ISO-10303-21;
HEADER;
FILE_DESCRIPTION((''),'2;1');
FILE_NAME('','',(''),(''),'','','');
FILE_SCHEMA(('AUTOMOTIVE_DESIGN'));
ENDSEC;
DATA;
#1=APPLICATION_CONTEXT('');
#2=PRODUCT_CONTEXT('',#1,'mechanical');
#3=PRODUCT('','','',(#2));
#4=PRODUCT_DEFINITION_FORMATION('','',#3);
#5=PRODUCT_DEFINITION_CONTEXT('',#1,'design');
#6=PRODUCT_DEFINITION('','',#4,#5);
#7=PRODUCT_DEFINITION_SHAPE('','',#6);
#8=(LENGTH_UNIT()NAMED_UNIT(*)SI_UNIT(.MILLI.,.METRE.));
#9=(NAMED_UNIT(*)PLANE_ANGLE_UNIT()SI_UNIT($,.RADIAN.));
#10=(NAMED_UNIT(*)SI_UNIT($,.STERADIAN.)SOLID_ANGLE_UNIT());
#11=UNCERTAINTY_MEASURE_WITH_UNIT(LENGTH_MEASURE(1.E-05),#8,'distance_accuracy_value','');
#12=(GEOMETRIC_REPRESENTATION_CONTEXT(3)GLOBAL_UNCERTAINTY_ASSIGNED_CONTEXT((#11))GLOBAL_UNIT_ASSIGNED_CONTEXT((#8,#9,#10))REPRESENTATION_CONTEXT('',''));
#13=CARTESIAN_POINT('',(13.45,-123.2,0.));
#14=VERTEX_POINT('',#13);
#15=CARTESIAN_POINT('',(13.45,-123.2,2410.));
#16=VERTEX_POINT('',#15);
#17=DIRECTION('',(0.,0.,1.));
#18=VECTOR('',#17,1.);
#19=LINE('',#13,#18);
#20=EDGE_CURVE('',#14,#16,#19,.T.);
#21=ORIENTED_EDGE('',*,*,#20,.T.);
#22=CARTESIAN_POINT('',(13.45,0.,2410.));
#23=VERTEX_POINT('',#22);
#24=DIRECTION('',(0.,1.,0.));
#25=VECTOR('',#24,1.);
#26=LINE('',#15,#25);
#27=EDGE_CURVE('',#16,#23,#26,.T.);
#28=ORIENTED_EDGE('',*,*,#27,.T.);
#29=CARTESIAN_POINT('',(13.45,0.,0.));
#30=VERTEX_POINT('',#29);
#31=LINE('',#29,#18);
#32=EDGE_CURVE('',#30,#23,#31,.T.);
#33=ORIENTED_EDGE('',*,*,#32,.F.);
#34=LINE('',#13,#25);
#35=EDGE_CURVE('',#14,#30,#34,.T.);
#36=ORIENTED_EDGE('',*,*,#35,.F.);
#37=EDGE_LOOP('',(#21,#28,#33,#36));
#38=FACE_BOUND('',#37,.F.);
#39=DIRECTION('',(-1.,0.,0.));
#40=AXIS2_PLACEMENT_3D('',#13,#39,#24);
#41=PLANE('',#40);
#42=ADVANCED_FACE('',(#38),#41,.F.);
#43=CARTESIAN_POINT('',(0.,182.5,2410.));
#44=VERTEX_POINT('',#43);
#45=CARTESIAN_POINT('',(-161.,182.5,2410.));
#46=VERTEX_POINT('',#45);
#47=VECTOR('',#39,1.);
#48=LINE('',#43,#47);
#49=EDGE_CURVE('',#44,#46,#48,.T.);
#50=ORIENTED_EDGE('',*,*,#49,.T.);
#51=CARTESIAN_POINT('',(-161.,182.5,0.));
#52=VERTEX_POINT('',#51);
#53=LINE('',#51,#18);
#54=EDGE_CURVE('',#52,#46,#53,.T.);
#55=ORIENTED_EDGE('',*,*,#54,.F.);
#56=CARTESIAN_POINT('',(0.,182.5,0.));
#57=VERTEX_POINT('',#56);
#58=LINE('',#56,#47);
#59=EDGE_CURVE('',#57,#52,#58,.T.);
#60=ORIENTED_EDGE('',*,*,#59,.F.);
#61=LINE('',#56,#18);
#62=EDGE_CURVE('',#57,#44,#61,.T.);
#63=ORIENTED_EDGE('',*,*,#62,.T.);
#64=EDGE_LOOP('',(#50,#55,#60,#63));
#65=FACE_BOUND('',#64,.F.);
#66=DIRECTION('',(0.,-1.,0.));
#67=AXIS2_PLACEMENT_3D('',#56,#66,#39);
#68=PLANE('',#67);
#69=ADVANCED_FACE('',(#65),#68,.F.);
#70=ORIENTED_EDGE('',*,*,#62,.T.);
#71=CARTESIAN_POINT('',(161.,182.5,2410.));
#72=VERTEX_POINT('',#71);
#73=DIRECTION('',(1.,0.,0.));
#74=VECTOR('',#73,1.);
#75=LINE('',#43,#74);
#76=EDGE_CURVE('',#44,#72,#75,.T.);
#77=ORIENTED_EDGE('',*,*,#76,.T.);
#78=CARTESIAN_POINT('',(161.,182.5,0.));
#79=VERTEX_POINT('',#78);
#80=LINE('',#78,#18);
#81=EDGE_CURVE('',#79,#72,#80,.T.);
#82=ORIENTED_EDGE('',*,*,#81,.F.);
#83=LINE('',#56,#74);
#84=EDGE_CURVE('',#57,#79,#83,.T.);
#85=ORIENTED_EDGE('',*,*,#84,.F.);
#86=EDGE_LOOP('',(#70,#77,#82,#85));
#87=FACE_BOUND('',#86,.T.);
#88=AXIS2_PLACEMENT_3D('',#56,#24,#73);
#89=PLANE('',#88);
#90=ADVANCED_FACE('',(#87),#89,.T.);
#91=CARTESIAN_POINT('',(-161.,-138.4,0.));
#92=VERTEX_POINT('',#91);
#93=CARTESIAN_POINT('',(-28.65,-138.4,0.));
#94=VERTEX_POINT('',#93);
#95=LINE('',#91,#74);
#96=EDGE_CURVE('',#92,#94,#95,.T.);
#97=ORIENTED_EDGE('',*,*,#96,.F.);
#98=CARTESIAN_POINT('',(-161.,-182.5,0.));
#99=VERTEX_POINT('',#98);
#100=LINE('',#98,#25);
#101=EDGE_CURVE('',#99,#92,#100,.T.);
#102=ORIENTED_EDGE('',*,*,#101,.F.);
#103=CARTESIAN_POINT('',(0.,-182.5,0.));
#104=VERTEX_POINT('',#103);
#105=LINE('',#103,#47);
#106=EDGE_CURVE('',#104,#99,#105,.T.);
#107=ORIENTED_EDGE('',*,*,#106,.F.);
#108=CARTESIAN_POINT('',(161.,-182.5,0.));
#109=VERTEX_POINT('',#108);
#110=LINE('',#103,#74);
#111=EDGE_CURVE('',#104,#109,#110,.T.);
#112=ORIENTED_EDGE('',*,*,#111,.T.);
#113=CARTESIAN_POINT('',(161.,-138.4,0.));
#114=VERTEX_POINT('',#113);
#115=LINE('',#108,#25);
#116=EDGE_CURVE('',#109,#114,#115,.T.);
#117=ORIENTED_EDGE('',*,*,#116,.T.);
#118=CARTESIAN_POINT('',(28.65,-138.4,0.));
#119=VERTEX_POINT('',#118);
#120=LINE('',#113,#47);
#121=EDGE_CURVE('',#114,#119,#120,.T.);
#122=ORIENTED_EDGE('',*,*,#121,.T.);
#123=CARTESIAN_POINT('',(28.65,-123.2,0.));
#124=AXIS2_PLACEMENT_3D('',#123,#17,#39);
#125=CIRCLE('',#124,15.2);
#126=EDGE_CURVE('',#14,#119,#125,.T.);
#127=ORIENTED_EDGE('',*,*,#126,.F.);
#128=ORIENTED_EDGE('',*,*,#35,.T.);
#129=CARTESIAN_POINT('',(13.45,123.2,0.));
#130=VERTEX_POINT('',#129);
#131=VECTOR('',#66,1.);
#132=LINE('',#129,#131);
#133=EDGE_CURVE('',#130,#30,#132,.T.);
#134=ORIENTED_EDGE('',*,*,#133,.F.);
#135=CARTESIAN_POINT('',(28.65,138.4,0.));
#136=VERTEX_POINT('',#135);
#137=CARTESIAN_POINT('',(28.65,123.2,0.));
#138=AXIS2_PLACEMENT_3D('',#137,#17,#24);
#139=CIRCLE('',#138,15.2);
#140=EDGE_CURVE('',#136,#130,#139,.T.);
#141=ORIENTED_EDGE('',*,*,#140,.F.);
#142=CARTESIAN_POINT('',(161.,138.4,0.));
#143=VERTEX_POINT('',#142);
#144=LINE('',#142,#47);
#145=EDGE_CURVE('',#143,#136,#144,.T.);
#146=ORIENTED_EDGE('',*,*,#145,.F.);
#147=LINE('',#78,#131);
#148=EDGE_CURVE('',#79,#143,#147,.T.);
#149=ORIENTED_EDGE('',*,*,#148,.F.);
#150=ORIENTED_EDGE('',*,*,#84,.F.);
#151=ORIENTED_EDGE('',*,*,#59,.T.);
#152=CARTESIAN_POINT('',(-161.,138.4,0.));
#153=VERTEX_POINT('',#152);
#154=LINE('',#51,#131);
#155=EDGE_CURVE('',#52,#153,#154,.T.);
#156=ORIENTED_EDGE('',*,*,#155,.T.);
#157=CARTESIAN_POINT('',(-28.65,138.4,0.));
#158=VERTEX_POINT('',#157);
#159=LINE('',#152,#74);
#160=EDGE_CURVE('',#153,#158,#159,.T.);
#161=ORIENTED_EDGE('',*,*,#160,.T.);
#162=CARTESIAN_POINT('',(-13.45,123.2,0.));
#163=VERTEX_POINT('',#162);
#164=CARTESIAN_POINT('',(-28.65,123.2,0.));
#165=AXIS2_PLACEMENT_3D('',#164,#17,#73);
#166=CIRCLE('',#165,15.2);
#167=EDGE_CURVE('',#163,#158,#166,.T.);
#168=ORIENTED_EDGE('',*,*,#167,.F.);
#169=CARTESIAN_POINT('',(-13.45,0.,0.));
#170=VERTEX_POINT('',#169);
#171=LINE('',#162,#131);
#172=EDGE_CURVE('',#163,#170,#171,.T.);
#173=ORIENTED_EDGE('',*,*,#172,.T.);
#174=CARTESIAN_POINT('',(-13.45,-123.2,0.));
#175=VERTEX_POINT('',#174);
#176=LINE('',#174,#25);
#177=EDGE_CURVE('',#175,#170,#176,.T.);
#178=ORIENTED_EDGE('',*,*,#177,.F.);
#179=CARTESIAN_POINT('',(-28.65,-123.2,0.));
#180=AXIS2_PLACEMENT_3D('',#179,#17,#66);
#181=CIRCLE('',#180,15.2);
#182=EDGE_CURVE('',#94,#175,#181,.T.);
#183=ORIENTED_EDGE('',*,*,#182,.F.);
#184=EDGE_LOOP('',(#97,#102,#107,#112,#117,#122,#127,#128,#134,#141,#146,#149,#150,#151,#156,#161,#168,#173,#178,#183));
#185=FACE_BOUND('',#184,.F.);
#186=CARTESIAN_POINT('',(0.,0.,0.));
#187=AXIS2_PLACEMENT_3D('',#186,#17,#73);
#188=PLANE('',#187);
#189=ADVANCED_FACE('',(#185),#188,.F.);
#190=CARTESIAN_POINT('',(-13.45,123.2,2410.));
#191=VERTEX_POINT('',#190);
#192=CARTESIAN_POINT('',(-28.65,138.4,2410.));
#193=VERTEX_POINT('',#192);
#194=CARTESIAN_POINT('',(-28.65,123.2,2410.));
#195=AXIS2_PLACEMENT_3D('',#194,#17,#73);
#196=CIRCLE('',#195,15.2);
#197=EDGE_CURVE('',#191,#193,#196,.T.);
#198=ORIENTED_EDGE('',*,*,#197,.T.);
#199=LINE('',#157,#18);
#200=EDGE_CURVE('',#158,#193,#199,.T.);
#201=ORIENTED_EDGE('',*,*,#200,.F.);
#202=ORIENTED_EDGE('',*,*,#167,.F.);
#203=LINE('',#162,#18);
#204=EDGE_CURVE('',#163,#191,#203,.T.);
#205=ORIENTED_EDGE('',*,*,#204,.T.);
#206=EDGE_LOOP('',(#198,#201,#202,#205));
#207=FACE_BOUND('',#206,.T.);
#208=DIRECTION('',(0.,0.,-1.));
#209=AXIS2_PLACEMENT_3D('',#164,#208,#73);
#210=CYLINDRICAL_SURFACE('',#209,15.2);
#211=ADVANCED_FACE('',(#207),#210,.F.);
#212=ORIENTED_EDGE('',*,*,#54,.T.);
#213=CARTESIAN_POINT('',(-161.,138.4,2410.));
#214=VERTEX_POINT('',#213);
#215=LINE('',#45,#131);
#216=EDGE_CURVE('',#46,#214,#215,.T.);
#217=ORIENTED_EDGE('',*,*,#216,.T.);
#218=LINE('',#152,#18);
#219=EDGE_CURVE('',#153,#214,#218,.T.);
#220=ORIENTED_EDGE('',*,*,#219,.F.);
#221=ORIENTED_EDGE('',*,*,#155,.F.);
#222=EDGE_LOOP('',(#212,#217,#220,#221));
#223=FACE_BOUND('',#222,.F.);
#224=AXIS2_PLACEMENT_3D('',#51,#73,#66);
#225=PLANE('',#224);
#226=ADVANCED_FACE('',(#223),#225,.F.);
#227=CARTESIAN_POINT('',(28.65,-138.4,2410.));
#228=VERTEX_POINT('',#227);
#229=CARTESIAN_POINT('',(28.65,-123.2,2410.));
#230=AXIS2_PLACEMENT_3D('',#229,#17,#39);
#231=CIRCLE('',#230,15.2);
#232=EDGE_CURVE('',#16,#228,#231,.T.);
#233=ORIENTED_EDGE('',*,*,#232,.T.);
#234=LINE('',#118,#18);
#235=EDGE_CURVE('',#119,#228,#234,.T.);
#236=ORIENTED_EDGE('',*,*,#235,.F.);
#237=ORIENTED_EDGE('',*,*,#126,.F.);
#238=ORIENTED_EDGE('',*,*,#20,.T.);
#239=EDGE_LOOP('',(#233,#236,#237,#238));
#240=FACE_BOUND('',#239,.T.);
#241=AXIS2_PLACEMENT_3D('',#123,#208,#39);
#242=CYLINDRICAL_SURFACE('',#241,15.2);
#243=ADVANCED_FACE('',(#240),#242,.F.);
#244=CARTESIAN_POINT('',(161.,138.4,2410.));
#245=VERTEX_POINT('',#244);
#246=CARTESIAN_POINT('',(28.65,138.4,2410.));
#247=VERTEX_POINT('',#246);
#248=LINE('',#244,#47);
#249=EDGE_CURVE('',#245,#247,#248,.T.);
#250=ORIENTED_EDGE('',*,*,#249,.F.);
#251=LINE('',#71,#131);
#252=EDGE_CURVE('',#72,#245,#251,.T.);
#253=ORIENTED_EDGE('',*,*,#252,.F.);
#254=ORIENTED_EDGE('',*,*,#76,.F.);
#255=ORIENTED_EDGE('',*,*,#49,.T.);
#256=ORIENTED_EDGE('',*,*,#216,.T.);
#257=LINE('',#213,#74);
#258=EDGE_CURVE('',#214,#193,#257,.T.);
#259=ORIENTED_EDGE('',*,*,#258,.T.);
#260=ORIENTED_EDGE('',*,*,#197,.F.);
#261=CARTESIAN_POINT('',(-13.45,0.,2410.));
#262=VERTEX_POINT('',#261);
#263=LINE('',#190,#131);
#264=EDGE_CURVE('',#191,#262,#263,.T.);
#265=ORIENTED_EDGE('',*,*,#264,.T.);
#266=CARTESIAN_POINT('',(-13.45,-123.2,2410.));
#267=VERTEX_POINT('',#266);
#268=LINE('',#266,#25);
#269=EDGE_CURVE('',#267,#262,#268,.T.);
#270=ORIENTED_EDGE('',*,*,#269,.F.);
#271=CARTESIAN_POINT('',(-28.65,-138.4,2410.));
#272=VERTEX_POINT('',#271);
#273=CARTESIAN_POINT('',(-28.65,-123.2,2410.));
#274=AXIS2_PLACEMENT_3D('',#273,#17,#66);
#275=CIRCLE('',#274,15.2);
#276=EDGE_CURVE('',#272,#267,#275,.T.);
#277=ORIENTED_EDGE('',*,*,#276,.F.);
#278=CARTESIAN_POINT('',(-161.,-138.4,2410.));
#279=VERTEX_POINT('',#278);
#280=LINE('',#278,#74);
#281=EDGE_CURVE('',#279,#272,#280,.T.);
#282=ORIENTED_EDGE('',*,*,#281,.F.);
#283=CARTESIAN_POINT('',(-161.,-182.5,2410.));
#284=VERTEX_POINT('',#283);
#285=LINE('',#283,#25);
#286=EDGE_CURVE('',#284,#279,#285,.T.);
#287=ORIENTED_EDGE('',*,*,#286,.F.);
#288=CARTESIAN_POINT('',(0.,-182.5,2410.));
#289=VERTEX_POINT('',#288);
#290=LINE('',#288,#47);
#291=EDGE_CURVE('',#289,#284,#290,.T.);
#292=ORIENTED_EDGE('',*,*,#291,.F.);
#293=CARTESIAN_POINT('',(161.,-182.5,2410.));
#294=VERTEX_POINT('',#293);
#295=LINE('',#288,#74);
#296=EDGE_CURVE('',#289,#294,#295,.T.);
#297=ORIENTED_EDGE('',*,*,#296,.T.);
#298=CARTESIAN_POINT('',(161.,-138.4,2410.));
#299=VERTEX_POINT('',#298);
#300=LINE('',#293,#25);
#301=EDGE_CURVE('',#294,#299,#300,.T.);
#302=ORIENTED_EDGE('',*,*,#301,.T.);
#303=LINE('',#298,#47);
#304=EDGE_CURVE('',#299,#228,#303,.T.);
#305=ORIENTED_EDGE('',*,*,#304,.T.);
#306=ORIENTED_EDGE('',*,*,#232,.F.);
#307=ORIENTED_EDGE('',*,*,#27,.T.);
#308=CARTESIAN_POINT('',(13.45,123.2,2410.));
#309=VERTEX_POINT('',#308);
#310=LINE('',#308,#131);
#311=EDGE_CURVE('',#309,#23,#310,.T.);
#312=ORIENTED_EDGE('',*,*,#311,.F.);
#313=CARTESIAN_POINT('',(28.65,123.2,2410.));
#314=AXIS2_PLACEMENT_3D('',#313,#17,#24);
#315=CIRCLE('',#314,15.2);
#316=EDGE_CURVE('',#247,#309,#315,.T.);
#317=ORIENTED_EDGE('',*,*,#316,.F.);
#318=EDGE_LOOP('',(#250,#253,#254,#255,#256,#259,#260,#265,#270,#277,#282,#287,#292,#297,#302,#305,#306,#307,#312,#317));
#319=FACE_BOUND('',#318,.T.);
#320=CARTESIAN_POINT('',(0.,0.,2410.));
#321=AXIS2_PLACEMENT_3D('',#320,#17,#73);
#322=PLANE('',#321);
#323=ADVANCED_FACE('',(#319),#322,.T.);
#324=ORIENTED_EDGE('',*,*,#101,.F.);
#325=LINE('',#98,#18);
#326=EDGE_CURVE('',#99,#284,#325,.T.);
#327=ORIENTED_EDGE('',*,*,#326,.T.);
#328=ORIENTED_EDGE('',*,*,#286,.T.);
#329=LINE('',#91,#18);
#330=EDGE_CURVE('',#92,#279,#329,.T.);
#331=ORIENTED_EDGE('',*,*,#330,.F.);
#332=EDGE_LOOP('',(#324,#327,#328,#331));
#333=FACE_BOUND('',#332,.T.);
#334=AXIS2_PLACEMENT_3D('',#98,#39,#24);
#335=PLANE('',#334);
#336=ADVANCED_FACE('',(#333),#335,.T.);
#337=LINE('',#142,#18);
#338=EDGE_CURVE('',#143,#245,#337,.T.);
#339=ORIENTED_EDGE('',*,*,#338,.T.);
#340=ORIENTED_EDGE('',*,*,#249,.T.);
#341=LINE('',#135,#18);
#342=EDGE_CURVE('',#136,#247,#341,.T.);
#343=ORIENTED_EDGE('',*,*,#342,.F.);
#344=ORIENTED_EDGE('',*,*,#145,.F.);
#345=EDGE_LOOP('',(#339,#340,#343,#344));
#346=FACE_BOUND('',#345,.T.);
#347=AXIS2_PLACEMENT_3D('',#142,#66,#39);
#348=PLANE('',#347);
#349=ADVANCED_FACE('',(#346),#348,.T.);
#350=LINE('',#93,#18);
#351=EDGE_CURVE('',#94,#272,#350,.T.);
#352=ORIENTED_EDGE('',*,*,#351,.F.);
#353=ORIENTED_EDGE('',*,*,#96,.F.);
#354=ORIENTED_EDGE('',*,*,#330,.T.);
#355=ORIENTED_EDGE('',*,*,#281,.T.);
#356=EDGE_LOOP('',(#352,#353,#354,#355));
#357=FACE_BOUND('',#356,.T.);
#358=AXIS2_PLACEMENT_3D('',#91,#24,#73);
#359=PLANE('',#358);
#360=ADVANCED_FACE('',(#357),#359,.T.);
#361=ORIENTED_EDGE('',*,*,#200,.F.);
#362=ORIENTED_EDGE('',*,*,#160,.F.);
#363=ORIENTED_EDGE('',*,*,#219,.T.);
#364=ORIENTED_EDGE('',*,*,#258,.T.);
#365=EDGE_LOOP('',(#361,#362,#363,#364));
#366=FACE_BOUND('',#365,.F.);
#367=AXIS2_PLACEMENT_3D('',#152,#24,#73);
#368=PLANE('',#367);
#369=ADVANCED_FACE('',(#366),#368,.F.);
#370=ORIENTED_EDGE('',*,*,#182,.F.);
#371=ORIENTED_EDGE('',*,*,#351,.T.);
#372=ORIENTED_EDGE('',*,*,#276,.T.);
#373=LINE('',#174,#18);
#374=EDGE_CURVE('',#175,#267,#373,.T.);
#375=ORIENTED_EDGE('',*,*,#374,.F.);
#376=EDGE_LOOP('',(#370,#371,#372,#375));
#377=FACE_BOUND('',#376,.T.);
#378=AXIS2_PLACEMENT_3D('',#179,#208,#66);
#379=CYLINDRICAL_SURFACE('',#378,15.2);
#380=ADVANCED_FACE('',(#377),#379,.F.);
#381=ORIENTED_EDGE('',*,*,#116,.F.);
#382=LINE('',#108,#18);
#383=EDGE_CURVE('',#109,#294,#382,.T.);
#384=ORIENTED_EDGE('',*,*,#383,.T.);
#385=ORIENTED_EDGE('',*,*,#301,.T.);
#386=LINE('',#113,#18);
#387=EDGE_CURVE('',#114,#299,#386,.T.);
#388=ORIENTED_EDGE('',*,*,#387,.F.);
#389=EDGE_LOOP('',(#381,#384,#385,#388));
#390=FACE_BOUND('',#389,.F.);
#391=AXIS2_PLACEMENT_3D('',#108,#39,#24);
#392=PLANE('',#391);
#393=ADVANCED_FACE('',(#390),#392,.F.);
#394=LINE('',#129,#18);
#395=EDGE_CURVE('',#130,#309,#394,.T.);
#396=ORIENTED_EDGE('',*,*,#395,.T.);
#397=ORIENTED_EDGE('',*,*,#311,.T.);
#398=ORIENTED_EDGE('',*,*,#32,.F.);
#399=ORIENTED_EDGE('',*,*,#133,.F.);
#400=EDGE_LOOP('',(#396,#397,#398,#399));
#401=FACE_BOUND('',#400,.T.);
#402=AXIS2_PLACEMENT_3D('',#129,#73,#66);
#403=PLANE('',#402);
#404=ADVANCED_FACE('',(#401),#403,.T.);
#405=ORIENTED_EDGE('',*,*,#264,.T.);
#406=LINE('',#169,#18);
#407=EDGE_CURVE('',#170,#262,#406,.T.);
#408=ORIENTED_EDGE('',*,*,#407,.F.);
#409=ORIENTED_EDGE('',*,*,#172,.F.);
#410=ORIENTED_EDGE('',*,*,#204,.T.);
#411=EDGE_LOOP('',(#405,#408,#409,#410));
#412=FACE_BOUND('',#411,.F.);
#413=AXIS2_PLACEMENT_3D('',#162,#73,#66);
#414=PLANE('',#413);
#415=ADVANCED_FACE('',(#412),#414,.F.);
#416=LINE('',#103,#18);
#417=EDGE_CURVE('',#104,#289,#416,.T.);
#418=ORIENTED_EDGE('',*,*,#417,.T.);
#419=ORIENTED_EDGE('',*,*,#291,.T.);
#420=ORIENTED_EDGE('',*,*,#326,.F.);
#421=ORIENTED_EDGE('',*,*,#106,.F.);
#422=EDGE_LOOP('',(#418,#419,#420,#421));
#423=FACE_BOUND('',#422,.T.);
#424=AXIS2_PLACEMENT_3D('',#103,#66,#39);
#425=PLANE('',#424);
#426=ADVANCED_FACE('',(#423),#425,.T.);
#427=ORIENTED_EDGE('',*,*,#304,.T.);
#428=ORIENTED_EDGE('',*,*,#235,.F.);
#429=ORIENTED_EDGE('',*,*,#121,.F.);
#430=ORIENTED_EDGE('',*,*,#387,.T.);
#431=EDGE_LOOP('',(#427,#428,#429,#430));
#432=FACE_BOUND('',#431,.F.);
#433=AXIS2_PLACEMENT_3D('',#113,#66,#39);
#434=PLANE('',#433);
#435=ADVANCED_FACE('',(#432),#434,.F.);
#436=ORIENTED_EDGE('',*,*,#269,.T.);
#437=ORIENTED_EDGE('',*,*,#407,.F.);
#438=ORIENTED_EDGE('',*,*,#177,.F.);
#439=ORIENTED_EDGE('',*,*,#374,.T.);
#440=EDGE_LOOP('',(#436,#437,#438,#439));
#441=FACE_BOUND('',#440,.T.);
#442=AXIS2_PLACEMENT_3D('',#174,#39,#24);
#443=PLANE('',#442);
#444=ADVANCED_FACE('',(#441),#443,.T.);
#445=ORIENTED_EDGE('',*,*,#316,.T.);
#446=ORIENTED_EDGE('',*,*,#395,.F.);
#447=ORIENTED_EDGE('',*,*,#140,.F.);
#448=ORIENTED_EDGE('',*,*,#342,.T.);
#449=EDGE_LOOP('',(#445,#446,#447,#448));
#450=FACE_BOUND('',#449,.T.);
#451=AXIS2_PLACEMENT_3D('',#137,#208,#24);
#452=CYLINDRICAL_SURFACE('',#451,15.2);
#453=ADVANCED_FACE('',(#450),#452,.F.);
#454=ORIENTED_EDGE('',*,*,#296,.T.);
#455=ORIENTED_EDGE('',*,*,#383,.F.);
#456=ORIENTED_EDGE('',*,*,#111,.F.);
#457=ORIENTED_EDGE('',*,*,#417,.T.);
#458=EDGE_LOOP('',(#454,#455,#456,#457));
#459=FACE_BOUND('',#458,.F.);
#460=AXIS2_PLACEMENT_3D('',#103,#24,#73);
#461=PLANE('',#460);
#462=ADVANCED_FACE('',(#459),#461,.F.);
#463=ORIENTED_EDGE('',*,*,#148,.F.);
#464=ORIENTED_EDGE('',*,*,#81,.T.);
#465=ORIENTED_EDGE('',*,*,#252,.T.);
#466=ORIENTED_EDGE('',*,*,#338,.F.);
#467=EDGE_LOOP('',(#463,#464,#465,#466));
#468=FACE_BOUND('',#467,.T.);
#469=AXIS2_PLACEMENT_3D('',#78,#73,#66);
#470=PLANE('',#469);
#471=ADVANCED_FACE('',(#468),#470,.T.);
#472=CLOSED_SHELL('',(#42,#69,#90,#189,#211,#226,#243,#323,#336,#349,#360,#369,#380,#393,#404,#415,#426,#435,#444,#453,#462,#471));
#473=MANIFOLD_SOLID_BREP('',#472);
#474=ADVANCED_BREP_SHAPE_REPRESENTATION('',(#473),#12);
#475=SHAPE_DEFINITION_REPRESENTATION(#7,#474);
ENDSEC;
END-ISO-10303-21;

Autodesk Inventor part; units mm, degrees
ref_plane "YZ Plane" through (0, 0, 0) normal (1, 0, 0) x (0, 1, 0)
ref_plane "Start plane" through (0, 0, 0) normal (0, 0, 1) x (1, 0, 0)
ref_plane "End plane" through (0, 0, 2410) normal (0, 0, 1) x (1, 0, 0)
sketch "Sketch" plane through (0, 0, 0) normal (0, 0, 1) x (1, 0, 0)
  line L0 (-161, -182.5) -> (-161, -138.4)
  line L1 (-161, -138.4) -> (-28.65, -138.4)
  line L2 (-13.45, -123.2) -> (-13.45, 0)
  line L3 (-13.45, 0) -> (0, 0) construction
  line L4 (0, 0) -> (0, -182.5) construction
  line L5 (0, -182.5) -> (-161, -182.5)
  line L6 (-60, 0) -> (80, 0) construction
  line L7 (0, -60) -> (0, 80) construction
  line L8 (161, -182.5) -> (161, -138.4)
  line L9 (161, -138.4) -> (28.65, -138.4)
  line L10 (13.45, -123.2) -> (13.45, 0)
  line L11 (13.45, 0) -> (0, 0) construction
  line L12 (0, -182.5) -> (161, -182.5)
  line L13 (-161, 182.5) -> (-161, 138.4)
  line L14 (-161, 138.4) -> (-28.65, 138.4)
  line L15 (-13.45, 123.2) -> (-13.45, 0)
  line L16 (0, 182.5) -> (-161, 182.5)
  line L17 (161, 182.5) -> (161, 138.4)
  line L18 (161, 138.4) -> (28.65, 138.4)
  line L19 (0, 182.5) -> (161, 182.5)
  line L20 (13.45, 123.2) -> (13.45, 0)
  arc A0 (-13.45, 123.2) -> (-28.65, 138.4) centre (-28.65, 123.2) ccw
  arc A1 (28.65, 138.4) -> (13.45, 123.2) centre (28.65, 123.2) ccw
  arc A2 (13.45, -123.2) -> (28.65, -138.4) centre (28.65, -123.2) ccw
  arc A3 (-28.65, -138.4) -> (-13.45, -123.2) centre (-28.65, -123.2) ccw
  line L21 (0, 108) -> (0, -88) construction
  line L22 (-88, 0) -> (108, 0) construction
  point P0 (-13.45, -138.4)
  point P1 (13.45, -138.4)
  point P2 (-13.45, 138.4)
  point P3 (13.45, 138.4)
  dimension "d1" = 182.5
  dimension "d2" = 44.1
  dimension "d3" = 161
  dimension "d4" = 13.45
  dimension "d10" = 15.2
extrude "Body" add sketch "Sketch" along normal up to surface (2410 mm away) from surface at 0
sketch "Sketch4" plane through (0, 0, 0) normal (0, 0, 1) x (1, 0, 0)
  line L0 (0, 0) -> (10, 0)
ref_plane "Work Plane3" through (0, 0, 0) normal (0, -1, 0) x (1, 0, 0)
sketch "Sketch5" plane through (0, 0, 0) normal (0, -1, 0) x (1, 0, 0)
  line L0 (-2, 0) -> (12, 0) projected
  line L1 (-2, 2410) -> (12, 2410) projected
  dimension "d14" = 2410
equation "\"d1\" = 0.5 * G_H"
equation "\"d2\" = G_T1"
equation "\"d3\" = 0.5 * G_W"
equation "\"d4\" = 0.5 * G_T"
equation "\"d10\" = G_IR"
equation "\"d5\" = G_L"
equation "\"G_W\" = 322"
equation "\"G_H\" = 365"
equation "\"G_T\" = 26.9"
equation "\"G_T1\" = 44.1"
equation "\"G_IR\" = 15.2"
equation "\"G_L\" = d14"
equation "\"G_OFFSET_START\" = 0"
equation "\"G_OFFSET_END\" = 0"
properties part number "AS 3679 - 310 UC - 283 - 2410" material "Steel, Mild"
